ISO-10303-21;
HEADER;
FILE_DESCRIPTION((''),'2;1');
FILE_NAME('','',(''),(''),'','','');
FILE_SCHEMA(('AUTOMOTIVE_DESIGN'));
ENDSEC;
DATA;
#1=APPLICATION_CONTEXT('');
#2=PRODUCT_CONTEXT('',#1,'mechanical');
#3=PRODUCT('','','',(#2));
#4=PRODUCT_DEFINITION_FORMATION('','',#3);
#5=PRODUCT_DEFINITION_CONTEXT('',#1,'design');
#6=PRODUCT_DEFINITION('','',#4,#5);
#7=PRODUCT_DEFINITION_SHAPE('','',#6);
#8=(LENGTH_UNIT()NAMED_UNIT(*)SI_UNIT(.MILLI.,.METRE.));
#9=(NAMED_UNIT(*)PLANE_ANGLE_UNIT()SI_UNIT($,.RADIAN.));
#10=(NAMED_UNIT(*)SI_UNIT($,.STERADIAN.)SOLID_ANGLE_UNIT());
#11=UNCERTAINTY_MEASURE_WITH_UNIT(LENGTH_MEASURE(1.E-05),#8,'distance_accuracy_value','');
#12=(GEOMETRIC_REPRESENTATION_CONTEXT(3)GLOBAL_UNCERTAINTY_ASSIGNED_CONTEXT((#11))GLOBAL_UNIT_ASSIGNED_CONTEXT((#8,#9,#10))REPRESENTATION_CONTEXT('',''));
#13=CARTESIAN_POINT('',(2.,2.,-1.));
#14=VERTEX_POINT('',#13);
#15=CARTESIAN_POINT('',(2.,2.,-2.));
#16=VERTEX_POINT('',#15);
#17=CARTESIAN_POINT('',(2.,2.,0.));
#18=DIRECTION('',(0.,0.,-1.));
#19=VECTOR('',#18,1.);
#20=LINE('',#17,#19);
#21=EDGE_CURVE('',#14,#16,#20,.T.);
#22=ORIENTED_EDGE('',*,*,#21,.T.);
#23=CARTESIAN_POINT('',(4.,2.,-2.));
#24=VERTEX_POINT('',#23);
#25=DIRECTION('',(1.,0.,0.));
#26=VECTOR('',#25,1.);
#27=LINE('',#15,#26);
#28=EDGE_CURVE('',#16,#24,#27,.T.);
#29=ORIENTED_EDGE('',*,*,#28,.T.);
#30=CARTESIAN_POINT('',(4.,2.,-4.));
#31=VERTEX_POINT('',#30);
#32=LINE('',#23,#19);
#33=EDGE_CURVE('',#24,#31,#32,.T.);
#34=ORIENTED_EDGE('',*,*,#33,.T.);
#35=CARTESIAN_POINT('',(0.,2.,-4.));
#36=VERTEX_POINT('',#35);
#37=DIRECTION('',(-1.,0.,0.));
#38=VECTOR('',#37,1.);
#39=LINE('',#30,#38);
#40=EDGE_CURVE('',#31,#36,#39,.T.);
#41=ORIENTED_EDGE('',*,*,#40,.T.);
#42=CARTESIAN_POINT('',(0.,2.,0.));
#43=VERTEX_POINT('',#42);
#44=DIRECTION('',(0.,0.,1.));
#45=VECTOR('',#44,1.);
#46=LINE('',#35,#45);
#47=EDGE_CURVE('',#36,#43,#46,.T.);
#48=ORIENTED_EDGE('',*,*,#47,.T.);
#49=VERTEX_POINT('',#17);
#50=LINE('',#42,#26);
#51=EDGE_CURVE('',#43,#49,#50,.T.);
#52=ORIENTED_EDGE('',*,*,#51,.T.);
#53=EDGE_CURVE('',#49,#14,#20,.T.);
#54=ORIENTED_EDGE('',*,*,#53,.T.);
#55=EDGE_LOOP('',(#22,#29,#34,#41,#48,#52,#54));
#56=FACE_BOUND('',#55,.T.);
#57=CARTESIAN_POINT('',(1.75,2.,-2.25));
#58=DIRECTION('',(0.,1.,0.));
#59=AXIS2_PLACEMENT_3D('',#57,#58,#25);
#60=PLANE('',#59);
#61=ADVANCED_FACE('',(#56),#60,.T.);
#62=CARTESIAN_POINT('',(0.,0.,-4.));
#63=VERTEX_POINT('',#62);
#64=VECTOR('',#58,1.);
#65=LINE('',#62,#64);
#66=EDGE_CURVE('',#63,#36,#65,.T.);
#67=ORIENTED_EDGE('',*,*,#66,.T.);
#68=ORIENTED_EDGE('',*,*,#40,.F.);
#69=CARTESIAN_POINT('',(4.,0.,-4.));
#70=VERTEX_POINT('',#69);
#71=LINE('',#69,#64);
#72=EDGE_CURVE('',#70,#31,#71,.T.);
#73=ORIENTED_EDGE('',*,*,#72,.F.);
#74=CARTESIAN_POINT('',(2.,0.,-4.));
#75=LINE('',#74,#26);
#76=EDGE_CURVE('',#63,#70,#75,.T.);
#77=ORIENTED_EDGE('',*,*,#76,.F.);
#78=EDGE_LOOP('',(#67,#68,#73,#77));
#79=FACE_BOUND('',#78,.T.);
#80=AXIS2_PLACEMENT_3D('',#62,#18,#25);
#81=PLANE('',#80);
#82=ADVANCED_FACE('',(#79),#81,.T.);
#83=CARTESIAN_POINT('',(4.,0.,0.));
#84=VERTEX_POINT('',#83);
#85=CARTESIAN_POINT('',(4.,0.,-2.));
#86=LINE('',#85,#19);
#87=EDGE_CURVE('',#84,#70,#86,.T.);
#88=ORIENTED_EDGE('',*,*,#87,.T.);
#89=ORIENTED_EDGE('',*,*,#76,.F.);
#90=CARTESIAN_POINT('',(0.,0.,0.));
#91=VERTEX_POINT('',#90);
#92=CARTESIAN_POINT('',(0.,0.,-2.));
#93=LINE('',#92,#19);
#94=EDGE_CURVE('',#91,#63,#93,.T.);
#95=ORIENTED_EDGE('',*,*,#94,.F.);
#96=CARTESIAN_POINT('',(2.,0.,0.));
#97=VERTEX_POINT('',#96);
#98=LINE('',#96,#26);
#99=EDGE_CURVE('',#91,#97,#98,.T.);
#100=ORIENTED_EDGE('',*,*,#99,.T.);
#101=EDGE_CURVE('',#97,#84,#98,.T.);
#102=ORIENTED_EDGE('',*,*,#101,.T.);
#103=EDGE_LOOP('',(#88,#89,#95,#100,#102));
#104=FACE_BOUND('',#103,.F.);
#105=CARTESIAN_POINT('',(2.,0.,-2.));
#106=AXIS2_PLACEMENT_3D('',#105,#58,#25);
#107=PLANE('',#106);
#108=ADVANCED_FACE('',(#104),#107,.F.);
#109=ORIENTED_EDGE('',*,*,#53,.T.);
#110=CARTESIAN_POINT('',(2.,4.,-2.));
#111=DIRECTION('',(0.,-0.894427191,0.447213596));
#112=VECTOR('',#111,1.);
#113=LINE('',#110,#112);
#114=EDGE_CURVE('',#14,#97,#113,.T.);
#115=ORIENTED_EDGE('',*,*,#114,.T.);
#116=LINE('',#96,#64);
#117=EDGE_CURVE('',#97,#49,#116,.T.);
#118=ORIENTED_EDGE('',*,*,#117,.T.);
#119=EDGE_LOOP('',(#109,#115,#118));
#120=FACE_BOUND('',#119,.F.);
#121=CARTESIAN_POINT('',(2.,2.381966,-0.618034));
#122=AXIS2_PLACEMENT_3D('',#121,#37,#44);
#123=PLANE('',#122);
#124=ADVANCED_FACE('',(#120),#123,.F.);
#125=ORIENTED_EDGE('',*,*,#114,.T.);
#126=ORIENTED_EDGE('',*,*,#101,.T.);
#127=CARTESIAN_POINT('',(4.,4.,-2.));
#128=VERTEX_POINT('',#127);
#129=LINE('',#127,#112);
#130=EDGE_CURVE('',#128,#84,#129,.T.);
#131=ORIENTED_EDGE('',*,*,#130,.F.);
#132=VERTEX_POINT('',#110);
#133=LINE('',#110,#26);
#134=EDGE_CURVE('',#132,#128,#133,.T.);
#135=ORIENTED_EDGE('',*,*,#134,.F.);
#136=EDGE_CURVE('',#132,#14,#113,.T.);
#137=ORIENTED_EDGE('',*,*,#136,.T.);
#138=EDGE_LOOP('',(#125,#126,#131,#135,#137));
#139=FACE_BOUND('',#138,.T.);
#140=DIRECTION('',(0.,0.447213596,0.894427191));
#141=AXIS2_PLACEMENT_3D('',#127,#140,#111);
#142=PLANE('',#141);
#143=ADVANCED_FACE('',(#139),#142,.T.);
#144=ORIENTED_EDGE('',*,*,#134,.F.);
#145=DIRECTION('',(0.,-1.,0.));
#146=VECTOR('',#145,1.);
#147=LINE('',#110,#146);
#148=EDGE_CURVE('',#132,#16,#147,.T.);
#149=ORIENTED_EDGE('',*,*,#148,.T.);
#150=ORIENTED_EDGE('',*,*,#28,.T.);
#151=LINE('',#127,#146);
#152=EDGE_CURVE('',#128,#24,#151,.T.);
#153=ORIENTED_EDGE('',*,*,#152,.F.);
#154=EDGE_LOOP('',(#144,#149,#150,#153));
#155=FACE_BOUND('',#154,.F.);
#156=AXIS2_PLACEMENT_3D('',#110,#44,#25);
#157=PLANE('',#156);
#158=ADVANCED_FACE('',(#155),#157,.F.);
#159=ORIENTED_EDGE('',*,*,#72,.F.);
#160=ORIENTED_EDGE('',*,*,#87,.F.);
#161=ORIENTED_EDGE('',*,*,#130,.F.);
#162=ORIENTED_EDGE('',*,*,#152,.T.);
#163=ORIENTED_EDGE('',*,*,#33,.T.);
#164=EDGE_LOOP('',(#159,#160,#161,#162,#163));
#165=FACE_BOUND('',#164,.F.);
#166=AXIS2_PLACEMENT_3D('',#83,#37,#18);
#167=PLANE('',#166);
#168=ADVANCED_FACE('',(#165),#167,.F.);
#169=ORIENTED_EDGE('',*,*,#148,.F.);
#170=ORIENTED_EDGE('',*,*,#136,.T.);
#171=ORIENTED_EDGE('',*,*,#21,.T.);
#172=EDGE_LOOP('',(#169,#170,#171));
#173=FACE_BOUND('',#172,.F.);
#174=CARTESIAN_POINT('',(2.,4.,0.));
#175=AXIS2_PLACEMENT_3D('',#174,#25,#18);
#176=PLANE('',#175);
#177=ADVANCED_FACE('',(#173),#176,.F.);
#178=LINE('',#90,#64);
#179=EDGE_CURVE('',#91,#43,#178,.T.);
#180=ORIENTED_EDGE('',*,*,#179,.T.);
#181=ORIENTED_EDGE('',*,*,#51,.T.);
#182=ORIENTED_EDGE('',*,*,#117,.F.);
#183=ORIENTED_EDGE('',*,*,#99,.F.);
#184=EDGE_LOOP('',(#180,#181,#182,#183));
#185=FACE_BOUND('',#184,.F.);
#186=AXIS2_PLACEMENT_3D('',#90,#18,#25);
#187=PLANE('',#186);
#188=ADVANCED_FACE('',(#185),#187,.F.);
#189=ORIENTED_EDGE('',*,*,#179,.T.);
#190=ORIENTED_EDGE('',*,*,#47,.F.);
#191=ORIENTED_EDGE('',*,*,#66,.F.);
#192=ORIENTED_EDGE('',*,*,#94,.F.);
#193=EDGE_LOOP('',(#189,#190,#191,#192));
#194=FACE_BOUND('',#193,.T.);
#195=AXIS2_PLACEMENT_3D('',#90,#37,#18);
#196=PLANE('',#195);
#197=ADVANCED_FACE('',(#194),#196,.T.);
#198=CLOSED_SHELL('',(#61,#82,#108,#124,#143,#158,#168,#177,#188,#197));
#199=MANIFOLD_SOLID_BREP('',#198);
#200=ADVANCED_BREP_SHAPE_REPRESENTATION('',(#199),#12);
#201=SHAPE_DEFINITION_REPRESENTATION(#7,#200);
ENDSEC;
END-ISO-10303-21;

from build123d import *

# Parameters (mm, degrees)
SKETCH1_W           = 4
SKETCH1_H           = 4
BOSS_EXTRUDE1_DEPTH = 4
CUT_EXTRUDE1_DEPTH  = 2
CUT_EXTRUDE2_DEPTH  = 2


with BuildPart() as part:
    # Sketch1 → Boss-Extrude1 (new body)
    with BuildSketch(Plane(origin=(0, 0, 0), x_dir=(1, 0, 0), z_dir=(0, 1, 0))):
        with Locations((2, 2)):
            Rectangle(SKETCH1_W, SKETCH1_H)
    extrude(amount=BOSS_EXTRUDE1_DEPTH)

    # Sketch2 → Cut-Extrude1 (cut)
    with BuildSketch(Plane(origin=(0, 4, 0), x_dir=(1, 0, 0), z_dir=(0, 1, 0))):
        Polygon((2, 0), (2, 2), (4, 2), (4, 4), (0, 4), (0, 0), align=None)
    extrude(amount=-CUT_EXTRUDE1_DEPTH, mode=Mode.SUBTRACT)

    # Sketch3 → Cut-Extrude2 (cut)
    with BuildSketch(Plane(origin=(4, 0, 0), x_dir=(0, 0, -1), z_dir=(1, 0, 0))):
        Polygon((2, 4), (0, 0), (0, 4), align=None)
    extrude(amount=-CUT_EXTRUDE2_DEPTH, mode=Mode.SUBTRACT)


solid = part.part
